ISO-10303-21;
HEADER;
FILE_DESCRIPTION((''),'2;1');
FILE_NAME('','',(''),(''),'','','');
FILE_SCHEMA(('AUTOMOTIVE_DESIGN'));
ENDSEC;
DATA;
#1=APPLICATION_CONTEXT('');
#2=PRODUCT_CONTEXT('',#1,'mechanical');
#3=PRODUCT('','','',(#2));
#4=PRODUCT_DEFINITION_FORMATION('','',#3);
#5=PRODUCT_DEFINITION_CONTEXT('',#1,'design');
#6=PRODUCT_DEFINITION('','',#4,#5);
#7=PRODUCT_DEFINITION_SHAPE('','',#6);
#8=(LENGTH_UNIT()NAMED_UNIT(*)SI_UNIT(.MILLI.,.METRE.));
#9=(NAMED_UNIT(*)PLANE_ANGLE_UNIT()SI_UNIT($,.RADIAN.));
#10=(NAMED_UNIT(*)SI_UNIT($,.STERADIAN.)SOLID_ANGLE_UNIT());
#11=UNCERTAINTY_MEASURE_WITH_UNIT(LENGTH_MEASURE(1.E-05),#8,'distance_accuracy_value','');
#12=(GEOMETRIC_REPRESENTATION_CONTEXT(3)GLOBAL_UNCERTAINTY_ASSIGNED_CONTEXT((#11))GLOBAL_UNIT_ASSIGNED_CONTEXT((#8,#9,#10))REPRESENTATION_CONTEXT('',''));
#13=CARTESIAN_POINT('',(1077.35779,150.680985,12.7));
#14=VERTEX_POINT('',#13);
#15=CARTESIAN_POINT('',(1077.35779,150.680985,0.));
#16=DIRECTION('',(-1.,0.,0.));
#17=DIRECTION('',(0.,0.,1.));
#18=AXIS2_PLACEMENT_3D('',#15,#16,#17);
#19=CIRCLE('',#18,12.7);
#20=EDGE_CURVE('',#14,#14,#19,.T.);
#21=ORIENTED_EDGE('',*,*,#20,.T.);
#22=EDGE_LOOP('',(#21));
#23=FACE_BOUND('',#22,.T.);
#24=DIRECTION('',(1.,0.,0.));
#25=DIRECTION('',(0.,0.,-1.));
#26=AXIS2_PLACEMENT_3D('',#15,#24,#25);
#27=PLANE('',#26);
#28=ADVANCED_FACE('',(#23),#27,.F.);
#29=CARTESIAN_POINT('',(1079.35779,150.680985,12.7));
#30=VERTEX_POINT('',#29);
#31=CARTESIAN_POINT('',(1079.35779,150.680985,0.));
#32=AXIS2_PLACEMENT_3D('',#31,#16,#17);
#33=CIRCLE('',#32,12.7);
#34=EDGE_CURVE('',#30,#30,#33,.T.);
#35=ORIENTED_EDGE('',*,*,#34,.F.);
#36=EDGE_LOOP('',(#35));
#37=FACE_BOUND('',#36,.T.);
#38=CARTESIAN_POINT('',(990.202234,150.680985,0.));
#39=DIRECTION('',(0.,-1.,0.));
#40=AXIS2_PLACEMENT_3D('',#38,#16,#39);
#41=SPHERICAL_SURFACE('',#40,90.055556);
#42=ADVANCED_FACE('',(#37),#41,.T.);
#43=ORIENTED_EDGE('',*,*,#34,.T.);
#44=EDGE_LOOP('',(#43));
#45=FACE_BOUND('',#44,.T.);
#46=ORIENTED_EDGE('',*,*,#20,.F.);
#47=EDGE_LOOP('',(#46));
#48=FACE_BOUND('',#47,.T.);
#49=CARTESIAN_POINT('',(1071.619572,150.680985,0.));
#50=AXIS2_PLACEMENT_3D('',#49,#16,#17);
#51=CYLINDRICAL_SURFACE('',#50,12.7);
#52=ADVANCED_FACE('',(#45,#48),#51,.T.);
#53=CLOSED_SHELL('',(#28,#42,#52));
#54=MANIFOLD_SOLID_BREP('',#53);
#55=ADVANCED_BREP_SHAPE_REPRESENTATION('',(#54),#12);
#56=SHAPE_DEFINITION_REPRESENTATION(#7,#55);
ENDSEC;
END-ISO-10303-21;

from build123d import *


with BuildPart() as part:
    # 草图1 → 旋转1 (revolve)
    with BuildSketch(Plane.XY, mode=Mode.PRIVATE) as revolve_1_sk:
        with BuildLine():
            Line((1077.35778972, 150.680985066), (1077.35778972, 163.380985066))
            Line((1077.35778972, 163.380985066), (1079.35778972, 163.380985066))
            ThreePointArc((1079.35778972, 163.380985066), (1080.032507939, 157.046909979), (1080.25778972, 150.680985066))
            Line((1080.25778972, 150.680985066), (1077.35778972, 150.680985066))
        make_face()
    revolve(revolve_1_sk.sketch.rotate(Axis((1071.619571684, 150.680985066, 0), (1, 0, 0)), 180), axis=Axis((1071.619571684, 150.680985066, 0), (1, 0, 0)))  # turned: the seam where the file's is


solid = part.part
